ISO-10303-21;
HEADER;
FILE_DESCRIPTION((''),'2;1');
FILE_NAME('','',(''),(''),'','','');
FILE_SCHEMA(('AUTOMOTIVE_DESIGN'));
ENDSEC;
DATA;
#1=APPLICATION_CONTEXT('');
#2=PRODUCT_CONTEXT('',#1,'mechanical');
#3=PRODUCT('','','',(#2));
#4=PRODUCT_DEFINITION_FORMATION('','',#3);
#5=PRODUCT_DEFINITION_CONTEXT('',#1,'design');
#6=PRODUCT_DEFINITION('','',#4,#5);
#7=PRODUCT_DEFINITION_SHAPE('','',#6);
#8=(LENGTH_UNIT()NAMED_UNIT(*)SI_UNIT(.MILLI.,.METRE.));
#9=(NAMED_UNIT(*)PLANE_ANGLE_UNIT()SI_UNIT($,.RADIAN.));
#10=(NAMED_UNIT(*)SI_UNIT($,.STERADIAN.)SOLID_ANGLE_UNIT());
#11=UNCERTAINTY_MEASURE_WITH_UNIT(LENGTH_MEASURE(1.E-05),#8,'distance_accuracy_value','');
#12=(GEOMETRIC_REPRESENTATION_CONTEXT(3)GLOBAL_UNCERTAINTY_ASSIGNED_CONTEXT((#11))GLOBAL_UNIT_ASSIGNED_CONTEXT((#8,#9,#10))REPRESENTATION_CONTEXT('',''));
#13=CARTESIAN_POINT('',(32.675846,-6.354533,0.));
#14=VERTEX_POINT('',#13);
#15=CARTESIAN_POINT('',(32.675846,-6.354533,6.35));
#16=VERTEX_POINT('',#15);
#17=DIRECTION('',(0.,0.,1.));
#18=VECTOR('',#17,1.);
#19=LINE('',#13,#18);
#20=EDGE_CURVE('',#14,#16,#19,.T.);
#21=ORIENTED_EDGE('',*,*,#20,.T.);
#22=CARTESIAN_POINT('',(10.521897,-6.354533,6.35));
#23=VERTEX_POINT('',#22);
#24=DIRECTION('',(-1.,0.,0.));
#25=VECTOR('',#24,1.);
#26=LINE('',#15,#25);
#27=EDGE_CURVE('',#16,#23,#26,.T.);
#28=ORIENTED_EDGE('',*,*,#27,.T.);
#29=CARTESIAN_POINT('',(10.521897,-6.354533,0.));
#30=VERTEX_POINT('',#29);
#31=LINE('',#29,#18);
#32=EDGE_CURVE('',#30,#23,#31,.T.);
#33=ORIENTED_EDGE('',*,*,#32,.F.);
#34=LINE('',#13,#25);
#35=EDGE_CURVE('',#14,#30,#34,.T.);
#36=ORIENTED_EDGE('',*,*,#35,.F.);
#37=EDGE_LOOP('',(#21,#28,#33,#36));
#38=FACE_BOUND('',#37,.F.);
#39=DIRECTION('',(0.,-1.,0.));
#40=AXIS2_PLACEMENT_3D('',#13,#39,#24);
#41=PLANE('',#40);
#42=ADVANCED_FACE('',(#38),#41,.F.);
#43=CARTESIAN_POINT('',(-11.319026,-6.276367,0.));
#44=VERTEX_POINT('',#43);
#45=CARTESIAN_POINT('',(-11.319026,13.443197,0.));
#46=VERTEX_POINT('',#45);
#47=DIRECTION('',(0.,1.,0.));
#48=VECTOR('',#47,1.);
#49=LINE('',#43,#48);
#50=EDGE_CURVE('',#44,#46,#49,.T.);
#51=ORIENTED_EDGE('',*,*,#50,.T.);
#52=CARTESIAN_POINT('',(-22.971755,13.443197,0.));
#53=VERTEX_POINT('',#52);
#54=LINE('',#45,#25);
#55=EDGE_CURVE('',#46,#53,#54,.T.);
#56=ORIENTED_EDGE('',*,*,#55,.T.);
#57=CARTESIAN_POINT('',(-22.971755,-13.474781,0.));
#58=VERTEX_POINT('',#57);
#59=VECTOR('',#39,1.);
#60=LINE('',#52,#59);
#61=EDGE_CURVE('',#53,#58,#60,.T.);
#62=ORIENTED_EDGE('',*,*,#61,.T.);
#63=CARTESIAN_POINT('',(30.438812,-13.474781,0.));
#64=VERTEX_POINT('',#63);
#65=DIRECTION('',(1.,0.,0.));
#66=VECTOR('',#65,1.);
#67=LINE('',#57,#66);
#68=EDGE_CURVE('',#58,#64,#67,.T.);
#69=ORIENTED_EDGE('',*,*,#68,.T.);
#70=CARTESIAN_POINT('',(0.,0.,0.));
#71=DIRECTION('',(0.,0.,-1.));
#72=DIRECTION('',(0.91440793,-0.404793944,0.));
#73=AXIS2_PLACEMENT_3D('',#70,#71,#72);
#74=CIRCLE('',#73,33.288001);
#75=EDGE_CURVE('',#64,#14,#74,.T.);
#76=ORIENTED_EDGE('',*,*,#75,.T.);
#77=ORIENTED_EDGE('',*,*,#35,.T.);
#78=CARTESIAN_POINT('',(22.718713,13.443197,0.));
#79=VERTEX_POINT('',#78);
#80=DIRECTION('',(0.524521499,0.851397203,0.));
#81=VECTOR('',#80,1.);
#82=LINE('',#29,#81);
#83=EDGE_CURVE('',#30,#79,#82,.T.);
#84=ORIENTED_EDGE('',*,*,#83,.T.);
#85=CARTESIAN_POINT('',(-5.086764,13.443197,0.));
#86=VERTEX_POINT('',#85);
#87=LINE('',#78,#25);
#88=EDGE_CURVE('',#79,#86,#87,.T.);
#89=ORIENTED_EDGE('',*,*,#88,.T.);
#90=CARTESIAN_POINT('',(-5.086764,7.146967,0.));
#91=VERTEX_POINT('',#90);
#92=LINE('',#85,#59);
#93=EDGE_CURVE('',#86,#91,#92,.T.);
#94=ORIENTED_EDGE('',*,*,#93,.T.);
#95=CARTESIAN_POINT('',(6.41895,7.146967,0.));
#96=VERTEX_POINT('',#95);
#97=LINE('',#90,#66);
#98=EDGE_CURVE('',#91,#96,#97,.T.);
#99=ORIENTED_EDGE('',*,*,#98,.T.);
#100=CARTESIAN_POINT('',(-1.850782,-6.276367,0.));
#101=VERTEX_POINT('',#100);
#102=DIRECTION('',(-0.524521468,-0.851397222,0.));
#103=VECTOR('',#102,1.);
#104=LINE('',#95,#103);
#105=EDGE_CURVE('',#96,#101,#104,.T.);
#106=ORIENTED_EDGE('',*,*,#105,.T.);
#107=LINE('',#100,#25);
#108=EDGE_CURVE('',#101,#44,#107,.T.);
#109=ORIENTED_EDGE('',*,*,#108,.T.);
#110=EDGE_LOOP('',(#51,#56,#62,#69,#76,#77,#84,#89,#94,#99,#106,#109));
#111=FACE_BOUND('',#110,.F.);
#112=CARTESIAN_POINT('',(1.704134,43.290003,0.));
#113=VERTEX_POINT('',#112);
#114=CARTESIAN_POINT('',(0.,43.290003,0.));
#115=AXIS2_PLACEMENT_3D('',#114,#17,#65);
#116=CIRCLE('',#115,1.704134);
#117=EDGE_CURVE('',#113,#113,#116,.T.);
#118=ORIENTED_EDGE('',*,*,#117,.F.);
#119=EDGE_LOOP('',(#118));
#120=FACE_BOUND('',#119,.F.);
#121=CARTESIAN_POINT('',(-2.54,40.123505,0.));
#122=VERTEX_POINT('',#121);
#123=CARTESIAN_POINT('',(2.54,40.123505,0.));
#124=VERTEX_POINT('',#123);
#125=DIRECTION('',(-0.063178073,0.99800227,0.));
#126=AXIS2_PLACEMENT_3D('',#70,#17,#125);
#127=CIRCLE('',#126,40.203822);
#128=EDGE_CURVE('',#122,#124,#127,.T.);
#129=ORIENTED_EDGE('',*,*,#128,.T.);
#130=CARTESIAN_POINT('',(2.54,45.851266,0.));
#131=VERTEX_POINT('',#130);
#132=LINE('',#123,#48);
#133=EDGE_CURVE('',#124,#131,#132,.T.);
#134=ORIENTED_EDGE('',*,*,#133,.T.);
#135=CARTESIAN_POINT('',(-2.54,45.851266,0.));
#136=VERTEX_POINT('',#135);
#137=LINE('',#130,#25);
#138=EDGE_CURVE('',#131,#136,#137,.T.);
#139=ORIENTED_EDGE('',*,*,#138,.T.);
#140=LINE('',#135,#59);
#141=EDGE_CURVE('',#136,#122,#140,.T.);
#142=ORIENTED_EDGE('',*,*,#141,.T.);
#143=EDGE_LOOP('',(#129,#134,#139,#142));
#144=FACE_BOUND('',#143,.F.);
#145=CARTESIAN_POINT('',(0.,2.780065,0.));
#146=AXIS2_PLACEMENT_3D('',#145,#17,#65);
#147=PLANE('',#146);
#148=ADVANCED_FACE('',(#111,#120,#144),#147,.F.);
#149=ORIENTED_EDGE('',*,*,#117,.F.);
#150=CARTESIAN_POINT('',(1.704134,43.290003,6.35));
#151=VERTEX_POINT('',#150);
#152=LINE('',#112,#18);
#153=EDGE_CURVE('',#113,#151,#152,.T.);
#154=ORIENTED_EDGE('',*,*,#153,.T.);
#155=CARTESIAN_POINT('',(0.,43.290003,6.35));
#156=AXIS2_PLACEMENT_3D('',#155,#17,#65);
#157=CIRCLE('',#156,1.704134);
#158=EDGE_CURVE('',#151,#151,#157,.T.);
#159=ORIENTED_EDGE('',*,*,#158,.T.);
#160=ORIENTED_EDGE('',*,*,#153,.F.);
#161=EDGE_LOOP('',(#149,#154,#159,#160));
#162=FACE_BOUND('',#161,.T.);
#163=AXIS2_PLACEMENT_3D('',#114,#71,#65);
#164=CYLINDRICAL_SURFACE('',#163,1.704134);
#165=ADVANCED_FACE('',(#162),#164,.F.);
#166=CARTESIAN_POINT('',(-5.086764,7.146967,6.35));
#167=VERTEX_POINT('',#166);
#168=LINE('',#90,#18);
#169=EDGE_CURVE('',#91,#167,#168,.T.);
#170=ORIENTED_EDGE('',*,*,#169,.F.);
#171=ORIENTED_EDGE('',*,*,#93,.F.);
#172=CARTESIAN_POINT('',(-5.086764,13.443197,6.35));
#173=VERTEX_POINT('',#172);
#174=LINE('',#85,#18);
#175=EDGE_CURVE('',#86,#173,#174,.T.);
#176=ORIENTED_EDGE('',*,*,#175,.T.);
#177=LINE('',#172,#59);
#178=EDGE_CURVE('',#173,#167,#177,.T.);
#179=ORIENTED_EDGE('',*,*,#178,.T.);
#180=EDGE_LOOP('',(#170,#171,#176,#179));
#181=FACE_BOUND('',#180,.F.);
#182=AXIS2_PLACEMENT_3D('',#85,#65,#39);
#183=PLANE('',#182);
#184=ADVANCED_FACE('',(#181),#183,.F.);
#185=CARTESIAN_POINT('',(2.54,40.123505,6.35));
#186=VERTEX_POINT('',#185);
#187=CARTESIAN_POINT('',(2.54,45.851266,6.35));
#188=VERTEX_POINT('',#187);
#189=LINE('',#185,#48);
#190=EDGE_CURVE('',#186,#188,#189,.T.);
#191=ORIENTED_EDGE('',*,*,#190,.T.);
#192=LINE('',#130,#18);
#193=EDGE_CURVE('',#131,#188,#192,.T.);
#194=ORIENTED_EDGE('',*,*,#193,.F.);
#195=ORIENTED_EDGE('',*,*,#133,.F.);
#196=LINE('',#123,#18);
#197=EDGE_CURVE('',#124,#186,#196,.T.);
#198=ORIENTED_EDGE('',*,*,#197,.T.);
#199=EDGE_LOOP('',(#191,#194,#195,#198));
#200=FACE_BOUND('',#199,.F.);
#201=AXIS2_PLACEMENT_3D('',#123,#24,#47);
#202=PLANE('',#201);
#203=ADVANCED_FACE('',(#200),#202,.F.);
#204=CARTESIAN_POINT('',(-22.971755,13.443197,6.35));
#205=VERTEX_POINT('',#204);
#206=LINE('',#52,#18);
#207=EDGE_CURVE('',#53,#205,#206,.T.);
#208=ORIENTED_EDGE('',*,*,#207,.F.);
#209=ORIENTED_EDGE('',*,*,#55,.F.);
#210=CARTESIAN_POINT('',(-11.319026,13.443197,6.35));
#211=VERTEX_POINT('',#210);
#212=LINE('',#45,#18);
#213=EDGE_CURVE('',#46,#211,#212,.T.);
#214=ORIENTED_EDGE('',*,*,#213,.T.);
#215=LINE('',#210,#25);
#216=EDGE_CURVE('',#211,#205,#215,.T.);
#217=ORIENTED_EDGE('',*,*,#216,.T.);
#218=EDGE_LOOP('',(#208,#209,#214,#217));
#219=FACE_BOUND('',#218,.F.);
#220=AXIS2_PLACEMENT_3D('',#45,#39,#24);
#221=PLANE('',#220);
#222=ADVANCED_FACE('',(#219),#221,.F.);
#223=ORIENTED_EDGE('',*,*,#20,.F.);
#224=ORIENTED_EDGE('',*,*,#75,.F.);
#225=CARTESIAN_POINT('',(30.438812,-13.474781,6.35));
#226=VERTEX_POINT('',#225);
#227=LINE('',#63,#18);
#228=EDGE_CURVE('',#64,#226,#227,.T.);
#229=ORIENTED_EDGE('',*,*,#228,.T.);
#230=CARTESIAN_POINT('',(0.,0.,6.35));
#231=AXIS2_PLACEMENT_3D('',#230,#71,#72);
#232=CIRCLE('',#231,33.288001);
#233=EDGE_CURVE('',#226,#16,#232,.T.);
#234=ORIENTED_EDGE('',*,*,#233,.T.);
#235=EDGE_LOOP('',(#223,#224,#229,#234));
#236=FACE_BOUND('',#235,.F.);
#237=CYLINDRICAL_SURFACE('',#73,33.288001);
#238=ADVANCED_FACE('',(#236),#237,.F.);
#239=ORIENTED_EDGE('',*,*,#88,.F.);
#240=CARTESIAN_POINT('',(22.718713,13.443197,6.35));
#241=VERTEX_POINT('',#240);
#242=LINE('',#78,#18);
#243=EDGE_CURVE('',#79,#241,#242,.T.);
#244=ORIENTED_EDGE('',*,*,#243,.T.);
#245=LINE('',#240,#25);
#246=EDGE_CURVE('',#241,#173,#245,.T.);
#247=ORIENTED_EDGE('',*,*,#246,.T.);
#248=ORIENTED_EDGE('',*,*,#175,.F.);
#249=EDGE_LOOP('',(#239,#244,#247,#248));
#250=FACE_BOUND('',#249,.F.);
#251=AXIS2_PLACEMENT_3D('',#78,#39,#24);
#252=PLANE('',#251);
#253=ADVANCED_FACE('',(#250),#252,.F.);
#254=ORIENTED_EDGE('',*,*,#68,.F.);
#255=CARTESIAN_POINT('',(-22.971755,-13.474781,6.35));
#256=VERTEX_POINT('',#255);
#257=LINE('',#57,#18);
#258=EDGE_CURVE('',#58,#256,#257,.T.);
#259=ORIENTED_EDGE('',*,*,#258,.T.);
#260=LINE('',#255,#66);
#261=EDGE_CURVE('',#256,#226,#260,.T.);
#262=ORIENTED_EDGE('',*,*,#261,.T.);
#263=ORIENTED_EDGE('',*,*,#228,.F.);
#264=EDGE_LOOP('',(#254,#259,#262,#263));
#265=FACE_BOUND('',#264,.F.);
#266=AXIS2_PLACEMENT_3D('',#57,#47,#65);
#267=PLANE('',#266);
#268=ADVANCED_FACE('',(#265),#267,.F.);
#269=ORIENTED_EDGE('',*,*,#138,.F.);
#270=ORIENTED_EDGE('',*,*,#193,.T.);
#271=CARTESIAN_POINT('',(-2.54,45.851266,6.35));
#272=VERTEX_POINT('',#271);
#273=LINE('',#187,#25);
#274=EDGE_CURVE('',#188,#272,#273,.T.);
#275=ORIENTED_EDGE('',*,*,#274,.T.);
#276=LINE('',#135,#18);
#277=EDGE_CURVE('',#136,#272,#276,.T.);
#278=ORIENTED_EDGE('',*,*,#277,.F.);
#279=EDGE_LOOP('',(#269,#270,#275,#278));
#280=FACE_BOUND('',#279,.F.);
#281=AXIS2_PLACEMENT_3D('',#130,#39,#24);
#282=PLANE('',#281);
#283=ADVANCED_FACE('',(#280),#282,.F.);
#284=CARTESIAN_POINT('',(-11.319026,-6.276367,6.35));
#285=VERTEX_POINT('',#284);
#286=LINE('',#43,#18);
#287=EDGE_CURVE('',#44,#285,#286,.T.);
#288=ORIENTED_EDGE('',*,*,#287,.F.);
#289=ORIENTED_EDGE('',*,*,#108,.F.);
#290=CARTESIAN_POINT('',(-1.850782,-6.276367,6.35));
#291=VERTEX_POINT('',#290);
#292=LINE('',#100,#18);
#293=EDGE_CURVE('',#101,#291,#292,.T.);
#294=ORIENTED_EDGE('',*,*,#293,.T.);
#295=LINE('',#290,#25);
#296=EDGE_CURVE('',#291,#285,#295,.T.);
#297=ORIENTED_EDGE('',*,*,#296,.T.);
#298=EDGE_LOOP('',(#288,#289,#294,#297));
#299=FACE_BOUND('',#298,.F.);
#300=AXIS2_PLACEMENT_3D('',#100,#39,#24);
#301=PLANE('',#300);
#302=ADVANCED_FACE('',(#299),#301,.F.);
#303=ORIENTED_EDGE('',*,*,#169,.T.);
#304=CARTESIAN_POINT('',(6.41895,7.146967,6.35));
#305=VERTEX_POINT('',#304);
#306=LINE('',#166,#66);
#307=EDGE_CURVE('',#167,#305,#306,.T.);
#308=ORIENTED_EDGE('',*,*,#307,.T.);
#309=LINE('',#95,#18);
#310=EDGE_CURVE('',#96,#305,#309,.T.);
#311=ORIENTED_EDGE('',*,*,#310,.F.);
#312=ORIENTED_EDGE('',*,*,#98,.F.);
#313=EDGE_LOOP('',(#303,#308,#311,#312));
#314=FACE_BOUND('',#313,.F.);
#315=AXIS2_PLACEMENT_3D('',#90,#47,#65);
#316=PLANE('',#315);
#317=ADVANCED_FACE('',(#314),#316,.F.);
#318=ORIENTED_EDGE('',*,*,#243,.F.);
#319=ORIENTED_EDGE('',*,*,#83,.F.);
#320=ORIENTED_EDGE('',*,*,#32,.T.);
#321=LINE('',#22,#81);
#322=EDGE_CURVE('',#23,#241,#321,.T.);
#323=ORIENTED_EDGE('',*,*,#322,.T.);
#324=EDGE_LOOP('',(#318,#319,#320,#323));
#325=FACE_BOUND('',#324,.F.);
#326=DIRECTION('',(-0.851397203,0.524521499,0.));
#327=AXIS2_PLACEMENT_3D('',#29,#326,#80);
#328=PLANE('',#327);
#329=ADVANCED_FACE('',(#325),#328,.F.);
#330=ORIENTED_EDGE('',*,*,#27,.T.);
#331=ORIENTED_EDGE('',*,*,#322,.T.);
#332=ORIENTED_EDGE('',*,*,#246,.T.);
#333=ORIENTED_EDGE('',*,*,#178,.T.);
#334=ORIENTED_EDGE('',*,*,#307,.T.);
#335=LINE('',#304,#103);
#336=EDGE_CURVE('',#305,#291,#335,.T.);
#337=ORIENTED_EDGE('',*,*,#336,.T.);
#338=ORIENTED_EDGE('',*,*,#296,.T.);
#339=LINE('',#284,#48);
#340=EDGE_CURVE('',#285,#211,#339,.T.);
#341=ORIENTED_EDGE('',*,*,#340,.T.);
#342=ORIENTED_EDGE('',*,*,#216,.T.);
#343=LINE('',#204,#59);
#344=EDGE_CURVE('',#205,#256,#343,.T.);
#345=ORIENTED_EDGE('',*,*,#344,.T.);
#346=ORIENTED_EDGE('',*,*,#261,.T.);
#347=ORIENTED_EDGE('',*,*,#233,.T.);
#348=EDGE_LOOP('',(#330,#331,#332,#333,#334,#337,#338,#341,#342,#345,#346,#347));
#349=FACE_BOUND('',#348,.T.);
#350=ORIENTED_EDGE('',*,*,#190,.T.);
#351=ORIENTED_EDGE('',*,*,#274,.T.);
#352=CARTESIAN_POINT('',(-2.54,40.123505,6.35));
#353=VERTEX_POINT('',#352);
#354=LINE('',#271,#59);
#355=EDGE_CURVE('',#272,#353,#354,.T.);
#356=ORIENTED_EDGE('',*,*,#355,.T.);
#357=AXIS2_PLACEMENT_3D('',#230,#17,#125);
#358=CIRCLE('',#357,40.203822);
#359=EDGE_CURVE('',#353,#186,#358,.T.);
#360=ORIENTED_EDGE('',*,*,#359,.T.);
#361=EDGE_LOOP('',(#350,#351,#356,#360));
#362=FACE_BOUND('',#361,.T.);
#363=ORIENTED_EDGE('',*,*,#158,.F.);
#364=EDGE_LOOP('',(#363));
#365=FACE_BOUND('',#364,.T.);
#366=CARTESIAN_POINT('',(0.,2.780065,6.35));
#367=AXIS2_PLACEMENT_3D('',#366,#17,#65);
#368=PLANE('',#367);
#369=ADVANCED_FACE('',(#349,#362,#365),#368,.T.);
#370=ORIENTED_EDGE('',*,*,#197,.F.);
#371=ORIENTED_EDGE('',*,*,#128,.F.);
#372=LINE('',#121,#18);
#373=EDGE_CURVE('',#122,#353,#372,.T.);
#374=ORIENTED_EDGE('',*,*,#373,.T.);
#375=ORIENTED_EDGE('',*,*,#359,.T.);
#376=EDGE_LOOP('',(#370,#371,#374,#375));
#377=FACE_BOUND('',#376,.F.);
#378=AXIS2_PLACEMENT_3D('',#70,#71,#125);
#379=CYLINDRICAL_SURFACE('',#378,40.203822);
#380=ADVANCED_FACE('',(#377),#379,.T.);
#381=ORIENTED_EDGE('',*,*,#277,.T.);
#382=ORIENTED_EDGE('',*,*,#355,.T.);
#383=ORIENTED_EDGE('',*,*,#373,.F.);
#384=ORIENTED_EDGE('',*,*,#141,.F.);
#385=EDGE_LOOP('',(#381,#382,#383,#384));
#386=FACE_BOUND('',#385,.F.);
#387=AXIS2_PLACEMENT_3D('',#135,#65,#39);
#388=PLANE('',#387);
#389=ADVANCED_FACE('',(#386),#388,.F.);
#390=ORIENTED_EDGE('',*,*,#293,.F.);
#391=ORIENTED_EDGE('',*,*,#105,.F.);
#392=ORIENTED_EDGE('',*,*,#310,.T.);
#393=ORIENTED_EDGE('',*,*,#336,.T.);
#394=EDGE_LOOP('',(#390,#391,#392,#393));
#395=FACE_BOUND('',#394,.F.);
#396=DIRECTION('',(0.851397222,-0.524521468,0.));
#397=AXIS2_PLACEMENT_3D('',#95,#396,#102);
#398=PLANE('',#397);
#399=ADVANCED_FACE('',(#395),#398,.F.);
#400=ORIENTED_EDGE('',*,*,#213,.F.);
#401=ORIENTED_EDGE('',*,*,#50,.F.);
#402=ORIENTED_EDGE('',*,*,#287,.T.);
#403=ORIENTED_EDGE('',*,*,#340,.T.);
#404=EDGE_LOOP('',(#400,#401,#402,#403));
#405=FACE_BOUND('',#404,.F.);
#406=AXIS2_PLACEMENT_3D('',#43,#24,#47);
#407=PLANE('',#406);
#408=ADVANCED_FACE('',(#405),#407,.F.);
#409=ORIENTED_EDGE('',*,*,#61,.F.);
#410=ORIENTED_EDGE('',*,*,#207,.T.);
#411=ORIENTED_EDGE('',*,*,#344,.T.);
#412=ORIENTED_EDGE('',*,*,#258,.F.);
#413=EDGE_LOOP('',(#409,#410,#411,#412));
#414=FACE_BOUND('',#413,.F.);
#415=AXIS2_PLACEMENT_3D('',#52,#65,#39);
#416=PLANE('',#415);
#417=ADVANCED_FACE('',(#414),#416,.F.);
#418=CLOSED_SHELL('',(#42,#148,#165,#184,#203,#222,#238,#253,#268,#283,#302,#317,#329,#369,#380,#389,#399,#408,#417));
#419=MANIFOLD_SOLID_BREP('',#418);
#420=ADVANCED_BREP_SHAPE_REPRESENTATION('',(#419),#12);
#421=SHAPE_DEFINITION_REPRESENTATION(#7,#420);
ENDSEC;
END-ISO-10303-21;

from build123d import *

# Parameters (mm, degrees)
F0_R     = 1.704134
F1_DEPTH = 6.35


with BuildPart() as f1:
    # F0 (on Top) → F1 (new body)
    with BuildSketch(Plane.XY):
        with BuildLine():
            Line((-2.54, 45.851266), (-2.54, 40.123505))
            ThreePointArc((-2.54, 40.123505), (0, -40.203822), (2.54, 40.123505))
            Line((2.54, 40.123505), (2.54, 45.851266))
            Line((2.54, 45.851266), (0, 45.851266))
            Line((0, 45.851266), (-2.54, 45.851266))
        make_face()
        with BuildLine():
            ThreePointArc((30.438812, -13.474781), (-31.757511, 9.97755), (32.675846, -6.354533))
            Line((32.675846, -6.354533), (10.521897, -6.354533))
            Line((10.521897, -6.354533), (22.718713, 13.443197))
            Line((22.718713, 13.443197), (-5.086764, 13.443197))
            Line((-5.086764, 13.443197), (-5.086764, 7.146967))
            Line((-5.086764, 7.146967), (6.41895, 7.146967))
            Line((6.41895, 7.146967), (-1.850782, -6.276367))
            Line((-1.850782, -6.276367), (-11.319026, -6.276367))
            Line((-11.319026, -6.276367), (-11.319026, 13.443197))
            Line((-11.319026, 13.443197), (-22.971755, 13.443197))
            Line((-22.971755, 13.443197), (-22.971755, -13.474781))
            Line((-22.971755, -13.474781), (30.438812, -13.474781))
        make_face(mode=Mode.SUBTRACT)
        with Locations((0, 43.290003)):
            Circle(F0_R, mode=Mode.SUBTRACT)
    extrude(amount=F1_DEPTH)


solid = f1.part
